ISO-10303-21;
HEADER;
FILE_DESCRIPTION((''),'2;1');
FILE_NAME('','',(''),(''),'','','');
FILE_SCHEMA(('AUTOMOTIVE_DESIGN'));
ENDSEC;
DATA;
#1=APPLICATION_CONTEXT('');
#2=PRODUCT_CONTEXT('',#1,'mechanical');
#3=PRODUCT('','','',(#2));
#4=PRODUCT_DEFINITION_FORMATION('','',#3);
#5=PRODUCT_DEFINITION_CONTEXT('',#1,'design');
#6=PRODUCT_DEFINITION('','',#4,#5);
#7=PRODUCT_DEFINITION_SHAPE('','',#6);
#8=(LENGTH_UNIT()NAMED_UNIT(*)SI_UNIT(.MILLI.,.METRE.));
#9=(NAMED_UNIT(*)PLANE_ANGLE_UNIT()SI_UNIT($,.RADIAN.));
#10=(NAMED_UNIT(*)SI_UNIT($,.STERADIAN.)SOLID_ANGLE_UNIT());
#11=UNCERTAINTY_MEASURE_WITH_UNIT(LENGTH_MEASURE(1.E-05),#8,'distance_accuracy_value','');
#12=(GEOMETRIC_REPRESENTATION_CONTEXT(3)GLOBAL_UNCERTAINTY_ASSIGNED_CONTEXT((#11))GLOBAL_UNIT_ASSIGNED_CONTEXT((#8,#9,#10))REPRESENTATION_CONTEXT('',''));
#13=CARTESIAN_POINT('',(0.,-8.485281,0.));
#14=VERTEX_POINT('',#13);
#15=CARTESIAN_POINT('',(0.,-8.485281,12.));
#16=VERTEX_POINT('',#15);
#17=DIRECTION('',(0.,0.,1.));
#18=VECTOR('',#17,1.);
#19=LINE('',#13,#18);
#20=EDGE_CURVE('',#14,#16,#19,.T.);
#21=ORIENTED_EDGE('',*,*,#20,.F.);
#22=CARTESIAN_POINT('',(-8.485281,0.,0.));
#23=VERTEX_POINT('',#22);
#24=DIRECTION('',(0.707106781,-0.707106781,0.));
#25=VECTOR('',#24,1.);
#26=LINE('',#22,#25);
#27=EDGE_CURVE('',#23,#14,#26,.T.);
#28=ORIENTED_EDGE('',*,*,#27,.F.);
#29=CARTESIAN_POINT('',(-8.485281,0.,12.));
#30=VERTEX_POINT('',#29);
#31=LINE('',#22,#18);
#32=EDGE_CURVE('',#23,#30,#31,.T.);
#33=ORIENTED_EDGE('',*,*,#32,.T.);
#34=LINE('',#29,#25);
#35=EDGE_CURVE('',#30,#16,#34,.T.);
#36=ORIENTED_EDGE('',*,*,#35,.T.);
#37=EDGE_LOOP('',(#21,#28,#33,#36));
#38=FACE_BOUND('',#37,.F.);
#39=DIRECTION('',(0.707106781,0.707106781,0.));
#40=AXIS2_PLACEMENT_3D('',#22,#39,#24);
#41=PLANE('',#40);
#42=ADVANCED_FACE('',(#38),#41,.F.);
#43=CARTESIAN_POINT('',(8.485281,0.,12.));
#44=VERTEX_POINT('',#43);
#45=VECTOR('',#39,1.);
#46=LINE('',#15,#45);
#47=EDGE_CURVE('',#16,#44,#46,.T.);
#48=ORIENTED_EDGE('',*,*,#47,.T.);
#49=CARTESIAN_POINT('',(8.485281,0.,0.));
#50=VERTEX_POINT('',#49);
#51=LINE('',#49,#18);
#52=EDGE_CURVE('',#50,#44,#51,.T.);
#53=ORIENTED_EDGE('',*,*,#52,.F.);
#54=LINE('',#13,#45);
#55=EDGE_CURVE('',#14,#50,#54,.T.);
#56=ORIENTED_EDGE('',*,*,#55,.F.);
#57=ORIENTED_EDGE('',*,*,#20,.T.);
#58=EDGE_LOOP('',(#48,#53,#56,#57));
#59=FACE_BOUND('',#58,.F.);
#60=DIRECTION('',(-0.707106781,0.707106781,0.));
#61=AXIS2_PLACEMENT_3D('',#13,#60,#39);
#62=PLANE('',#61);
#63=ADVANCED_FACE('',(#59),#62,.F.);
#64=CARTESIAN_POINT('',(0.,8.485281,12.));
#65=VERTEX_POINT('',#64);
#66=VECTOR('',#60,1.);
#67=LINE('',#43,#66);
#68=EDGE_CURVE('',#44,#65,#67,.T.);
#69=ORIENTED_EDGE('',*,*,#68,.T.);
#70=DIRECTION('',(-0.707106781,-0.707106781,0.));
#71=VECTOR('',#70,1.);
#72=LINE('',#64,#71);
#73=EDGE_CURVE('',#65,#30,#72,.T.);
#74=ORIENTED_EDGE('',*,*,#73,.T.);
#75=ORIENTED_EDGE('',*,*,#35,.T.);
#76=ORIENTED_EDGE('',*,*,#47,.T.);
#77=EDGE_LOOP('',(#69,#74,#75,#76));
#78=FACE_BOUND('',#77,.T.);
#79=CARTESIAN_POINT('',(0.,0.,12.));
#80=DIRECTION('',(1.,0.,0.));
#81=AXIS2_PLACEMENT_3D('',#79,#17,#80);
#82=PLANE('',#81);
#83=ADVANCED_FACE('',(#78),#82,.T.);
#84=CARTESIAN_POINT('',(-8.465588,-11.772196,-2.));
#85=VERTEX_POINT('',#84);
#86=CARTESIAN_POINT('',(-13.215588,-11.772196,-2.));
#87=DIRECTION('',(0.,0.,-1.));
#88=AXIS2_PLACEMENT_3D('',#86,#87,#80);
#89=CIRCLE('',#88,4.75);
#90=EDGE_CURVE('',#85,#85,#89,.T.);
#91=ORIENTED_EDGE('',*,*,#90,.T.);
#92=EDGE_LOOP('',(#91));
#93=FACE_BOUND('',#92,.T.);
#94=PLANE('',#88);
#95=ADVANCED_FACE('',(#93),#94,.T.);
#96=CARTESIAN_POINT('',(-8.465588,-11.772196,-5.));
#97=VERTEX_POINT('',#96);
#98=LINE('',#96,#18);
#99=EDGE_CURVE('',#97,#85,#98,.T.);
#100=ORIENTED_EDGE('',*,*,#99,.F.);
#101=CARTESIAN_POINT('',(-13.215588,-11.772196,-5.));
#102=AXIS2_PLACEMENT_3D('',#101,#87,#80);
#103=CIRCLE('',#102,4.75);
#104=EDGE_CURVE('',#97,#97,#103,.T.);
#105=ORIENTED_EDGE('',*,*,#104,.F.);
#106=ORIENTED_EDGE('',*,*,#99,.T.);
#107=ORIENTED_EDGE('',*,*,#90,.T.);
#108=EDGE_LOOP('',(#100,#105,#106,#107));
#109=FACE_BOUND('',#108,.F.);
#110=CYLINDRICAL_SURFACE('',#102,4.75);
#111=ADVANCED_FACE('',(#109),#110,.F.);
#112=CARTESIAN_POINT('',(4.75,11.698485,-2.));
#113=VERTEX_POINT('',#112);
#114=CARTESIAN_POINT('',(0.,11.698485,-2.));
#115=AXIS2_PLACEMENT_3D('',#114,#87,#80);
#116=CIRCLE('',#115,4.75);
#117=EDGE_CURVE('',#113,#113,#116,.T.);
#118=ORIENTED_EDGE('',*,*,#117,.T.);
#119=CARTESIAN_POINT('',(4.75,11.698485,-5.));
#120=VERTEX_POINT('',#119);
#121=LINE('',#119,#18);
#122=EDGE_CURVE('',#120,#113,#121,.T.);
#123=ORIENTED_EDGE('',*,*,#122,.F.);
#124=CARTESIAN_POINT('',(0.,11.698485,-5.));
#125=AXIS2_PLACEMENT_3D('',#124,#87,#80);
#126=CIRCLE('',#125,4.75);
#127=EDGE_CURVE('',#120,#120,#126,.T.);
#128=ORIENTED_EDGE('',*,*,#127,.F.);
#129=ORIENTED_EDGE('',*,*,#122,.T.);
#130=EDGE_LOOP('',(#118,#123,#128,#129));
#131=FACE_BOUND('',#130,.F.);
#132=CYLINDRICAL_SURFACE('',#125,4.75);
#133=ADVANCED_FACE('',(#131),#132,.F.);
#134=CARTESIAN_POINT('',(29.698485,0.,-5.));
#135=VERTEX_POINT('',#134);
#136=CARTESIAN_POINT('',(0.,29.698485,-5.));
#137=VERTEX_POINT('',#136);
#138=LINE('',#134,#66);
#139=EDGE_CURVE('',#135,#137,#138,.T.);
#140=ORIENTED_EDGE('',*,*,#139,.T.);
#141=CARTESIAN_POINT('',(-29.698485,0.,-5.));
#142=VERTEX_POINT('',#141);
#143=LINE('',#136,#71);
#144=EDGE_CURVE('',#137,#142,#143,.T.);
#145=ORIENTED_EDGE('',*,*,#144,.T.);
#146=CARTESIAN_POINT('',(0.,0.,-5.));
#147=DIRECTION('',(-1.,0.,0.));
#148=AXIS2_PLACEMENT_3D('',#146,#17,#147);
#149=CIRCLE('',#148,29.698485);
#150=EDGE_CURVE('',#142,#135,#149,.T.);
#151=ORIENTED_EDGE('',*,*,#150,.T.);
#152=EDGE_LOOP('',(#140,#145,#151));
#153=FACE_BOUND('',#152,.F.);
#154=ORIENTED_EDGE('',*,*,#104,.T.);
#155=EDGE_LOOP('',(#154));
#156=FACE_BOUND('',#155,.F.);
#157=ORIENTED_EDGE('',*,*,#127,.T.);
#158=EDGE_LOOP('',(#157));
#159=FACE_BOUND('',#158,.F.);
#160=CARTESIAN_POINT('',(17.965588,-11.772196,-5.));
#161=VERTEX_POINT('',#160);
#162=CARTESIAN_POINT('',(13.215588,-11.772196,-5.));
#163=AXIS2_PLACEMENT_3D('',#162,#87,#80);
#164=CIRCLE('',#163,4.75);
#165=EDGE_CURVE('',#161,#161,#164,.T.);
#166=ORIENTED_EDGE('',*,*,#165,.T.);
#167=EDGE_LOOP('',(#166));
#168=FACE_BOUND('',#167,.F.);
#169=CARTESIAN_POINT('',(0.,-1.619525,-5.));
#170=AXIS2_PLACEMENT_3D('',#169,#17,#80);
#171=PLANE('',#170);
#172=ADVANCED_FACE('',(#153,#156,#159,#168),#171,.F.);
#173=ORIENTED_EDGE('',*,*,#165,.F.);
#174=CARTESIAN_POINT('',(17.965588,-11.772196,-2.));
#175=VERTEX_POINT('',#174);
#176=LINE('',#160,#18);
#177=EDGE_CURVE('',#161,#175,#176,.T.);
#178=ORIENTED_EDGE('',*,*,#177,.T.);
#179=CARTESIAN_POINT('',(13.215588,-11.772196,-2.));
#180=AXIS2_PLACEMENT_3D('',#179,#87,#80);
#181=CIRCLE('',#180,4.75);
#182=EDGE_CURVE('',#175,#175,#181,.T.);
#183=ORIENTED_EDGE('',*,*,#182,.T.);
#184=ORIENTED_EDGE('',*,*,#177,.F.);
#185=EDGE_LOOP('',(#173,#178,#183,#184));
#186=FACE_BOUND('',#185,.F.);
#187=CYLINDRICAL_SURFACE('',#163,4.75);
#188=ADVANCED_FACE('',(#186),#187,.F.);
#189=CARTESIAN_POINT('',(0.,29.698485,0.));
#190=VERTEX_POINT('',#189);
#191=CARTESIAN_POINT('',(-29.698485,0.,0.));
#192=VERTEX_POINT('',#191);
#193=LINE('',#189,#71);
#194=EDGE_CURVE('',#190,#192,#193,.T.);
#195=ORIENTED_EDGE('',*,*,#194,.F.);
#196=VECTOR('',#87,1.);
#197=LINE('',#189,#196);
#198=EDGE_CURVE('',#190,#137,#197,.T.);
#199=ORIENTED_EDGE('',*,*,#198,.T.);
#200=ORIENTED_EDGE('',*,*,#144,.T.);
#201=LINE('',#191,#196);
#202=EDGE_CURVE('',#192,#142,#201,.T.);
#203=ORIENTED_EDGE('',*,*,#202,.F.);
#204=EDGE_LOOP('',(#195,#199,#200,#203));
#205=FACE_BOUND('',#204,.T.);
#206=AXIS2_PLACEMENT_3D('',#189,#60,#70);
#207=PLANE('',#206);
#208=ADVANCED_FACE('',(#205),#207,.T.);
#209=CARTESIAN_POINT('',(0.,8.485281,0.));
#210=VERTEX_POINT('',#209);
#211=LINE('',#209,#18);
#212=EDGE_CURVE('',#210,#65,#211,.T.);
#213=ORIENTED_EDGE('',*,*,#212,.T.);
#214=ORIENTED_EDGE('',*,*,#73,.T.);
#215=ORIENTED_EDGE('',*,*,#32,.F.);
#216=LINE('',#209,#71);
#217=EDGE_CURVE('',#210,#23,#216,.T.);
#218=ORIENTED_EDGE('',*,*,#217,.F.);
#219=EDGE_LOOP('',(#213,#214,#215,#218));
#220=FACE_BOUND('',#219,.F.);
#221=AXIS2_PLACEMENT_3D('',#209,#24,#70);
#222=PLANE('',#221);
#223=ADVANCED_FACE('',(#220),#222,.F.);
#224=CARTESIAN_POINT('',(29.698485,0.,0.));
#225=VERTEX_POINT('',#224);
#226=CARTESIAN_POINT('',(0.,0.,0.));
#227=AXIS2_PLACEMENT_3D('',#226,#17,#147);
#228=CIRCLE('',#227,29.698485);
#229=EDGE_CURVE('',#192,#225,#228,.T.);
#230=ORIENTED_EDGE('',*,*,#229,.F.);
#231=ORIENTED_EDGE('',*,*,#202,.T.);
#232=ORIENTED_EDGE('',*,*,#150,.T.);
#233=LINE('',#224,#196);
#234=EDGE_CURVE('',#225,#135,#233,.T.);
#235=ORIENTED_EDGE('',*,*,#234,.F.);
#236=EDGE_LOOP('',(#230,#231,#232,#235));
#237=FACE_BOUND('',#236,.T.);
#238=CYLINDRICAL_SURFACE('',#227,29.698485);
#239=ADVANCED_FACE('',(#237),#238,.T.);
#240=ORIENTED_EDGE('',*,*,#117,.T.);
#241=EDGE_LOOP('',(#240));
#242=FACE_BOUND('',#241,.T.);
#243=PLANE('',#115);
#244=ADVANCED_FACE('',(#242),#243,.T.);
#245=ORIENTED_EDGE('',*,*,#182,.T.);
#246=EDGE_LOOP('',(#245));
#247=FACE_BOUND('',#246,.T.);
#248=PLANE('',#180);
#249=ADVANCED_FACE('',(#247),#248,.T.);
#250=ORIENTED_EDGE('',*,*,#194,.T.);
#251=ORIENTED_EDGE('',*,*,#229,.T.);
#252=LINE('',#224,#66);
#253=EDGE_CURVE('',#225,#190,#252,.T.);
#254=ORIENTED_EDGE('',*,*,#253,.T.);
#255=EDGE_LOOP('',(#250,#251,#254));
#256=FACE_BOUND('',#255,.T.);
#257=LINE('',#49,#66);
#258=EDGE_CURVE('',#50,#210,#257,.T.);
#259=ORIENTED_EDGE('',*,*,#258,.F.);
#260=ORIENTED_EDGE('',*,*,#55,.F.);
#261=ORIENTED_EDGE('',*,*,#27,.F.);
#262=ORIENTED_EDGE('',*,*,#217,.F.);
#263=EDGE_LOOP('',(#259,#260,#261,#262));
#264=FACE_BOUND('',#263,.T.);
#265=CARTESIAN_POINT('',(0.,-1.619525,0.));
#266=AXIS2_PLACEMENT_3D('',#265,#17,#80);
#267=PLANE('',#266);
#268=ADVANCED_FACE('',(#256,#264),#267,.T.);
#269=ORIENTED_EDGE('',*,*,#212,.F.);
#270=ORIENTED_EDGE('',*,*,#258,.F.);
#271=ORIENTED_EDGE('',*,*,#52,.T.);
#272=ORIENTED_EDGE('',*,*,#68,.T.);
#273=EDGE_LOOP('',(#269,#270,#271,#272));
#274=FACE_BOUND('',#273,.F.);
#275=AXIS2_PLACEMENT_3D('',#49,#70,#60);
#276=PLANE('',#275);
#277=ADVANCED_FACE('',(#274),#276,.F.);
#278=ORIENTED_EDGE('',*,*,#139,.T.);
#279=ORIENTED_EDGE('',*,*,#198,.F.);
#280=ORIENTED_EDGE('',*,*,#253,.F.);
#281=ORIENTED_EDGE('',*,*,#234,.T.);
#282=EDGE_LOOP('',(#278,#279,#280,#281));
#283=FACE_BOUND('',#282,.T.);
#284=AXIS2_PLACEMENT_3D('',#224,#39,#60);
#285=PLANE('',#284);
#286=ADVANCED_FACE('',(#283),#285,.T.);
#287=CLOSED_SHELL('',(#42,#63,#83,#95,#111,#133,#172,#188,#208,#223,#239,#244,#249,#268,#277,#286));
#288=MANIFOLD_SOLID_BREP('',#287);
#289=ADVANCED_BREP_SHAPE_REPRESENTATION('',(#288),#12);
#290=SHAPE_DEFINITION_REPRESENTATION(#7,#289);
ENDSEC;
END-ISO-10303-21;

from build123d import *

# Parameters (mm, degrees)
F2_DEPTH = 12
F4_DEPTH = 5
F5_R     = 4.75
F6_DEPTH = 3


with BuildPart() as f2:
    # F1 (on Top) → F2 (new body)
    with BuildSketch(Plane.XY):
        Polygon((-8.4852813742, 0), (0, -8.4852813742), (8.4852813742, 0), (0, 8.4852813742), align=None)
    extrude(amount=F2_DEPTH)

    # F3 (on Top) → F4 (join)
    with BuildSketch(Plane.XY):
        with BuildLine():
            Line((0, 29.6984848098), (-29.6984848098, 0))
            ThreePointArc((-29.6984848098, 0), (0, -29.6984848098), (29.6984848098, 0))
            Line((29.6984848098, 0), (0, 29.6984848098))
        make_face()
    extrude(amount=-F4_DEPTH)

    # F5 (on face) → F6 (cut)
    with BuildSketch(Plane(origin=(0, 0, -5), x_dir=(1, 0, 0), z_dir=(0, 0, -1))):
        with Locations((0, -11.6984848098)):
            Circle(F5_R)
        with Locations((-13.2155881356, 11.7721958357)):
            Circle(F5_R)
        with Locations((13.2155881356, 11.7721958357)):
            Circle(F5_R)
    extrude(amount=-F6_DEPTH, mode=Mode.SUBTRACT)


solid = f2.part
